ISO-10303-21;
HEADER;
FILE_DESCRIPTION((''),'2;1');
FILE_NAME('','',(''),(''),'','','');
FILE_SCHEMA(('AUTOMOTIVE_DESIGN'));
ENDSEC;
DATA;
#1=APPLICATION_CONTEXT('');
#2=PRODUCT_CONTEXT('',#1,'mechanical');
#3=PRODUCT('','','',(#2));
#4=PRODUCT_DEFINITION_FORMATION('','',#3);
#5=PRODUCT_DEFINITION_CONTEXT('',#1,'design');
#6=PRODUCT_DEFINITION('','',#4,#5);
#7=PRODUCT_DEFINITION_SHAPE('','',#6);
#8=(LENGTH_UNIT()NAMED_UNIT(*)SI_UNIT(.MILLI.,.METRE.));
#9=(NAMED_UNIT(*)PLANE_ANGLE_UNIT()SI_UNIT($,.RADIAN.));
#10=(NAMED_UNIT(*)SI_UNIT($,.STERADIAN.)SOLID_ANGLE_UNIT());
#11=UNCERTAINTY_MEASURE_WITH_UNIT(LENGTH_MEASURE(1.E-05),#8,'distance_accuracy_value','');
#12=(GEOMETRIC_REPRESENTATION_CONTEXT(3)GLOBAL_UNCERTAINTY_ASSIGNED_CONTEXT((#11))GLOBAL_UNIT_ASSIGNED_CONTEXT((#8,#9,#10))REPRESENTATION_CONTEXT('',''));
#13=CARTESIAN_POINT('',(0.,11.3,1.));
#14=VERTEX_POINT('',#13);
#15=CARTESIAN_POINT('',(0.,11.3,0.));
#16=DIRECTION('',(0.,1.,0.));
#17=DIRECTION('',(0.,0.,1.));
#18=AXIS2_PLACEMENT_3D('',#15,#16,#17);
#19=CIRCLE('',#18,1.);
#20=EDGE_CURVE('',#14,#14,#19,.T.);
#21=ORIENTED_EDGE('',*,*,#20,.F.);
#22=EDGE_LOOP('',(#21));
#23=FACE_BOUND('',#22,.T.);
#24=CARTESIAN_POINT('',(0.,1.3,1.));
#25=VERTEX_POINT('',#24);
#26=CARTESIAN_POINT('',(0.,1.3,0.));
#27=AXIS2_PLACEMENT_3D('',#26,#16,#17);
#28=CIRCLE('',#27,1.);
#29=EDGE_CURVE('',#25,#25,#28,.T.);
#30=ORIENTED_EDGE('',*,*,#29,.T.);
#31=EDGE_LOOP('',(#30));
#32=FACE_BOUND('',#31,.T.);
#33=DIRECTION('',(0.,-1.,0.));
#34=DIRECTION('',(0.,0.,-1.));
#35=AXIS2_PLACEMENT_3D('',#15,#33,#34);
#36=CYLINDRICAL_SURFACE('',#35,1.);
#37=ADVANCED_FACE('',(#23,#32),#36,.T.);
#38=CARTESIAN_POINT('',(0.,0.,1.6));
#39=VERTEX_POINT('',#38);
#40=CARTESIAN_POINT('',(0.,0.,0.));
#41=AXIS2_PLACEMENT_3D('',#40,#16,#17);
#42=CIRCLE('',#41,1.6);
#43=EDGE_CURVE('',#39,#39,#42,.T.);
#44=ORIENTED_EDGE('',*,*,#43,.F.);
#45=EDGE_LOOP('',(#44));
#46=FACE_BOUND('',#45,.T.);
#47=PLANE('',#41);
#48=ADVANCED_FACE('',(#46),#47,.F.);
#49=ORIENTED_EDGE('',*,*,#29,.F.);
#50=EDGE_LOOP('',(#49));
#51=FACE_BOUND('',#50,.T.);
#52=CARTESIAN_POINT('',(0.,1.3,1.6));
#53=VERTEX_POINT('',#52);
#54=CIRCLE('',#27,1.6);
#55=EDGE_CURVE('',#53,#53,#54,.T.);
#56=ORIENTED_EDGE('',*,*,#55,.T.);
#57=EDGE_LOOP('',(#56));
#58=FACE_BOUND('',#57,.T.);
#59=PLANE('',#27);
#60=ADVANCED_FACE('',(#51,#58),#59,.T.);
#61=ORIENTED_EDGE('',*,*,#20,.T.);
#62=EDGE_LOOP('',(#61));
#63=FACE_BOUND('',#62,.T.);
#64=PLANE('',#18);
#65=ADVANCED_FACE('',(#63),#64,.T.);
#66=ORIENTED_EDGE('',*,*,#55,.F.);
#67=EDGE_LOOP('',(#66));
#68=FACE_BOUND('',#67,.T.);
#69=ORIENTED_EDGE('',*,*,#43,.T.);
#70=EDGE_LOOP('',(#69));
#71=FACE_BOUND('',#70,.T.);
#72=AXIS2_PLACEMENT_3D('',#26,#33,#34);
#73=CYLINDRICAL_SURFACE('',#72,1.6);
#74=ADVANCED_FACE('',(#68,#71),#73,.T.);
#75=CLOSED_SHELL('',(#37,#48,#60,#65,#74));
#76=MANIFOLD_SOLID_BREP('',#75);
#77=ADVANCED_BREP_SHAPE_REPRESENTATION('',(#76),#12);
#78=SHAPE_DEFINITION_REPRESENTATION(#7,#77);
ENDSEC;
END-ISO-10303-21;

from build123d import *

# Parameters (mm, degrees)
SKETCH_1_R      = 1.6
EXTRUDE_1_DEPTH = 1.3
EXTRUDE_START   = 1.3
SKETCH_2_R      = 1
EXTRUDE_2_DEPTH = 10


with BuildPart() as part:
    # 草图1 → 凸台-拉伸1 (new body)
    with BuildSketch(Plane(origin=(0, 0, 0), x_dir=(1, 0, 0), z_dir=(0, 1, 0))):
        with Locations(Location((0, 0, 0), (0, 0, 270))):
            Circle(SKETCH_1_R)
    extrude(amount=EXTRUDE_1_DEPTH)

    # 草图2 → 凸台-拉伸2 (add)
    with BuildSketch(Plane(origin=(0, 0, 0), x_dir=(1, 0, 0), z_dir=(0, 1, 0)).offset(EXTRUDE_START)):
        with Locations(Location((0, 0, 0), (0, 0, 270))):
            Circle(SKETCH_2_R)
    extrude(amount=EXTRUDE_2_DEPTH)


solid = part.part
